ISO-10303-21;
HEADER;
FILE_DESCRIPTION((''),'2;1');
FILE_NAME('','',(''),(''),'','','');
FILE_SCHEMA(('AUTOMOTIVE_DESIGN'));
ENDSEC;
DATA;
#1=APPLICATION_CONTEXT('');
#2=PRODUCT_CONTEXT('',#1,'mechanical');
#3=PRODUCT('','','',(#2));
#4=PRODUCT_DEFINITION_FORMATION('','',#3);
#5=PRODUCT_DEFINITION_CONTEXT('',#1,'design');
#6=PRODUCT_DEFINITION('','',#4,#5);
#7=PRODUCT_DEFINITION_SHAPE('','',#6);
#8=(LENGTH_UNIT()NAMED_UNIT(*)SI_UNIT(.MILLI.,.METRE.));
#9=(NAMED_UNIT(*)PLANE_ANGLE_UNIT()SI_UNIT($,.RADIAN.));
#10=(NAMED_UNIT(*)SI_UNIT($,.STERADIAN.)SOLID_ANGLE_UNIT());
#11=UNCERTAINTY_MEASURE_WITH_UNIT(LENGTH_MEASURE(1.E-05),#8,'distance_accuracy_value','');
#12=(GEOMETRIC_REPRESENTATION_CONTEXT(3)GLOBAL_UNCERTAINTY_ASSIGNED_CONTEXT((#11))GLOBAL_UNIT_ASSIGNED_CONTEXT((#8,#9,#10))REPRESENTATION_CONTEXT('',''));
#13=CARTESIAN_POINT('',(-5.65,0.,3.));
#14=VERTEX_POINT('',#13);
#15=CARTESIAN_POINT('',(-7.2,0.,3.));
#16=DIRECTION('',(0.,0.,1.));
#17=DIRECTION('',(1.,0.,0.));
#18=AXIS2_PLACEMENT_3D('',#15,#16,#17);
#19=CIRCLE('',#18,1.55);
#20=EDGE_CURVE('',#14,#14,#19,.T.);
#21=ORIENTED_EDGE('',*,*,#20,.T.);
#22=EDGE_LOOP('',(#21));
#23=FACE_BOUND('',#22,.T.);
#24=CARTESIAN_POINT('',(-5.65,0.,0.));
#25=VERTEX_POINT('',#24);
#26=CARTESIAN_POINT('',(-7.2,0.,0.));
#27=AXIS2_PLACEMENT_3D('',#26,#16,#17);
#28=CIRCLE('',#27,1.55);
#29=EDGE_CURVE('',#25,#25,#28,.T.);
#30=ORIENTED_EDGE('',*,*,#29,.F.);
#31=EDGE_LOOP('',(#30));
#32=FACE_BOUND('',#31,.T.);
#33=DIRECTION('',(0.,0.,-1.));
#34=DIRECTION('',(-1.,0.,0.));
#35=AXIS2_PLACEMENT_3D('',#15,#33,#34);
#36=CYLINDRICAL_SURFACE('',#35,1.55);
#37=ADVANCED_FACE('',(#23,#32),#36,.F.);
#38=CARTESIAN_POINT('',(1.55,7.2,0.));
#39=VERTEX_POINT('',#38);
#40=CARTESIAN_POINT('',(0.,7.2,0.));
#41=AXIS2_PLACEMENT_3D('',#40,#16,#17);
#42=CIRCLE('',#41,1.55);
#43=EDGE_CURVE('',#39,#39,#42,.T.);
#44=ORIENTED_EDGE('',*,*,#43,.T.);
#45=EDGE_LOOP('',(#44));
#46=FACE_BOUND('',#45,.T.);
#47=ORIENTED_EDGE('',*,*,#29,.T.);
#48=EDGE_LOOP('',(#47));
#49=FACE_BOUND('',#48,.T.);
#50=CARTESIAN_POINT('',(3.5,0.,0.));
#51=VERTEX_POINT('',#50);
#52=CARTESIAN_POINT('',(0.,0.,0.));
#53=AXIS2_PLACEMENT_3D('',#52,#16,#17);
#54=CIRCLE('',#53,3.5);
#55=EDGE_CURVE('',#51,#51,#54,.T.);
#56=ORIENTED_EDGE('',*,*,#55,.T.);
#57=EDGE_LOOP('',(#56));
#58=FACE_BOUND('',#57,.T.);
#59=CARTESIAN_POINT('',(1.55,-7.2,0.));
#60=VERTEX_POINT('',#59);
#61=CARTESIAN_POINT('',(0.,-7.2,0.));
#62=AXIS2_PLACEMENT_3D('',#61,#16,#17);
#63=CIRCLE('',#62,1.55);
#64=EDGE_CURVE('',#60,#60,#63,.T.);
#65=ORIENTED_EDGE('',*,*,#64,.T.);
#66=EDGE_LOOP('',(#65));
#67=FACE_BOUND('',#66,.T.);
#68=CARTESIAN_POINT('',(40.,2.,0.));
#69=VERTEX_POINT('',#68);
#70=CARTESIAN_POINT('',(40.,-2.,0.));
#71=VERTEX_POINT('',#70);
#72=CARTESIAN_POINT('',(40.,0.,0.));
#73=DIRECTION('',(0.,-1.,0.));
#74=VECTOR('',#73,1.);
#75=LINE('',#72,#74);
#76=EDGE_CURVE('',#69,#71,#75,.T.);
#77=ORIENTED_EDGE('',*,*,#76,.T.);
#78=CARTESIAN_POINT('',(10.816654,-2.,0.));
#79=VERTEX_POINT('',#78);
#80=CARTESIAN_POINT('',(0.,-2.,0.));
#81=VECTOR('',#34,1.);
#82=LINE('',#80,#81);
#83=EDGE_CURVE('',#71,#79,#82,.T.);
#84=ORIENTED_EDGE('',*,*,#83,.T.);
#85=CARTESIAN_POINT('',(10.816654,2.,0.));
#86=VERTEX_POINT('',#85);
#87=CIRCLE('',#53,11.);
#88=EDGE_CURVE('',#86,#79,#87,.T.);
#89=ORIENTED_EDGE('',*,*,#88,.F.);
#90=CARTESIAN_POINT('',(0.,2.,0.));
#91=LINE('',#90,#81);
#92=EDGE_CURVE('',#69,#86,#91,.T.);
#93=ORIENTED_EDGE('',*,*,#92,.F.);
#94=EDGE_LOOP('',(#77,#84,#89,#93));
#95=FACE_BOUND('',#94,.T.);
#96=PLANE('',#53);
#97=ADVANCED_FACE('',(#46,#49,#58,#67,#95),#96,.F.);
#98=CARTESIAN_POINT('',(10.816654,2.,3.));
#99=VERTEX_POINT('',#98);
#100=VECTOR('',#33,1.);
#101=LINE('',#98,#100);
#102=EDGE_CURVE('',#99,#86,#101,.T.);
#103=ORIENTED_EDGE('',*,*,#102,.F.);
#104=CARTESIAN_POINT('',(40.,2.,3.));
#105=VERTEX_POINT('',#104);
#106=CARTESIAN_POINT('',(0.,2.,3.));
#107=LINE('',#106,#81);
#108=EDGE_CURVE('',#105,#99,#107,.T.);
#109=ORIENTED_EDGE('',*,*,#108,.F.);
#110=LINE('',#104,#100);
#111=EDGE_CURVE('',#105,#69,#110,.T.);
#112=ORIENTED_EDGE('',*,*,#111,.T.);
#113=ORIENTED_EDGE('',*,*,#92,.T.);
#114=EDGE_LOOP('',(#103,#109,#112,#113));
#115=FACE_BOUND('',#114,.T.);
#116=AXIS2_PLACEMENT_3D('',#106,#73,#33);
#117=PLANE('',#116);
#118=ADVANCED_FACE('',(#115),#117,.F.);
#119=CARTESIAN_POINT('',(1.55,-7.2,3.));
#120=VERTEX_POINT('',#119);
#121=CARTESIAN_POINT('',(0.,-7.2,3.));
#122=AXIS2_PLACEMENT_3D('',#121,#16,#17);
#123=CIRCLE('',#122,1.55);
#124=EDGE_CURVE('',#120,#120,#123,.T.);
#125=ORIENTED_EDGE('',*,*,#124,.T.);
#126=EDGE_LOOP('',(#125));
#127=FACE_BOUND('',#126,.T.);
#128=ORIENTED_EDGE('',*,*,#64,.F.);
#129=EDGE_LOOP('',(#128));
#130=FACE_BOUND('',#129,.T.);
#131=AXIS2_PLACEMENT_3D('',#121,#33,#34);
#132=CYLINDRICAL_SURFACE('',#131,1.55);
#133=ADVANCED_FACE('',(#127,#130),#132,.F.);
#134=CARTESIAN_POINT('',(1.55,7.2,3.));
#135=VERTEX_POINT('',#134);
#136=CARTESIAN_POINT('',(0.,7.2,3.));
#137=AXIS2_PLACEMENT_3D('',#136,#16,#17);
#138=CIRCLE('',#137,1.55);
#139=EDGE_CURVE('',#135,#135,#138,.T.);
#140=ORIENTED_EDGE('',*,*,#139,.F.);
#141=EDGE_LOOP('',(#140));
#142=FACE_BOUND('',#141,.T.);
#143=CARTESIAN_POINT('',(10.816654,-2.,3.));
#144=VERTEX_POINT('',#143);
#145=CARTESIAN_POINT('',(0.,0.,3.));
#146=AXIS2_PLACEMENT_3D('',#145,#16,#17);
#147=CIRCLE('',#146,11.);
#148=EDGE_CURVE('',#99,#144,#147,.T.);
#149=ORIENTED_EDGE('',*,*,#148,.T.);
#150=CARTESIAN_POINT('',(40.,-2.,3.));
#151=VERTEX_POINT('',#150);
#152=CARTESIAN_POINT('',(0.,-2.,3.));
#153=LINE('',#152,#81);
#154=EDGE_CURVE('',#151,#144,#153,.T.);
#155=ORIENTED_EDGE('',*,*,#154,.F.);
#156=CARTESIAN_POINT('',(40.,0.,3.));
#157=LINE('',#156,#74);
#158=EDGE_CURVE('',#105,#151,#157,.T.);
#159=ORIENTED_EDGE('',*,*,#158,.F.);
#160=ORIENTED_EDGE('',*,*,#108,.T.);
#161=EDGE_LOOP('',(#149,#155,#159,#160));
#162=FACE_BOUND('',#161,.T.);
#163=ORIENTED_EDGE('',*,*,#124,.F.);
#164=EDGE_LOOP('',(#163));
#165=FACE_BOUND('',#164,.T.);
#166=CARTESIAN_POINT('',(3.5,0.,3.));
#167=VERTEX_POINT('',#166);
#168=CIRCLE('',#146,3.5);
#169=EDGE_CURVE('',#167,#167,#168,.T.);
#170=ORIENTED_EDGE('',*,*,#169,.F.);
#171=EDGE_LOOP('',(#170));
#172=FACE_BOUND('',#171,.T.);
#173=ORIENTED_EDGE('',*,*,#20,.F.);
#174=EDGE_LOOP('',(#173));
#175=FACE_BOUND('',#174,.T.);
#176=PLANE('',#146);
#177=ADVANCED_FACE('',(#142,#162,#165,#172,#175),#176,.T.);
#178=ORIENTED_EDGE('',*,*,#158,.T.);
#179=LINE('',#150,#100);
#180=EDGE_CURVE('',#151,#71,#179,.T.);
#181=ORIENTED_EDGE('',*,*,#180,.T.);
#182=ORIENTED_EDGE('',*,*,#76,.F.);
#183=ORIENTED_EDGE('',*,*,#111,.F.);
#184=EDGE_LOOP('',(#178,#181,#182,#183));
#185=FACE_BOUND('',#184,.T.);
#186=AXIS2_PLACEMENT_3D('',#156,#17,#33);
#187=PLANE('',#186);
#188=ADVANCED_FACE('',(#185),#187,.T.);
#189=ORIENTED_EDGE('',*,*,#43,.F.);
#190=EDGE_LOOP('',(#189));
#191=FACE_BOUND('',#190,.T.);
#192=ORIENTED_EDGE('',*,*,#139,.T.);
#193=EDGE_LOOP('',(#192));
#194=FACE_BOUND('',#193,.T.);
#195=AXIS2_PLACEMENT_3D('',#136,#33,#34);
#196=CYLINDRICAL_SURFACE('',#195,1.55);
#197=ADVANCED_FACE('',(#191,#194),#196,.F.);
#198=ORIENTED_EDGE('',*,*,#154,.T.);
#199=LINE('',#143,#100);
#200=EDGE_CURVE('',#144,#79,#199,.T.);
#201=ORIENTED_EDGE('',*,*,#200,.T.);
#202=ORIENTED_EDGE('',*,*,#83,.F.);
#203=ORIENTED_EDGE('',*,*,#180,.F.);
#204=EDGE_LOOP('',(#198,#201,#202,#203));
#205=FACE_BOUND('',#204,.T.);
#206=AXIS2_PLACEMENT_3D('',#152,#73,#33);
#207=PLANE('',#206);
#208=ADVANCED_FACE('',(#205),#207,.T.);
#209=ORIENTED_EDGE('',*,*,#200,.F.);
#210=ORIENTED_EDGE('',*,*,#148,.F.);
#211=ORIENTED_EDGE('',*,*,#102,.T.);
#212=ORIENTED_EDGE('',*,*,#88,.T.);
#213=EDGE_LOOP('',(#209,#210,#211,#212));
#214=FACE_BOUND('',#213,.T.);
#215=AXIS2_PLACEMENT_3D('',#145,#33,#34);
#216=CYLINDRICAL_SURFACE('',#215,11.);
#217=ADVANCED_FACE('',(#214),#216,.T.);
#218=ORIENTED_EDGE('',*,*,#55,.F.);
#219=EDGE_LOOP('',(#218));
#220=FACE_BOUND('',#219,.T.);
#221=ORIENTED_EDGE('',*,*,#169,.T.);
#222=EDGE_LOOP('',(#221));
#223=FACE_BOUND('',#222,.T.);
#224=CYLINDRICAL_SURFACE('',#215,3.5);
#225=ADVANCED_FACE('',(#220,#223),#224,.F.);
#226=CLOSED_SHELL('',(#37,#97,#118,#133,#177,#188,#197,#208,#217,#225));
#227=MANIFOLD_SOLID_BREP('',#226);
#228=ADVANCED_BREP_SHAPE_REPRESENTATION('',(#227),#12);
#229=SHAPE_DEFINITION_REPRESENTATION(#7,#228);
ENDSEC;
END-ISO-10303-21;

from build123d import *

# Parameters (mm, degrees)
ESBO_O1_R                = 3.5
ESBO_O1_R_2              = 1.55
RESSALTO_EXTRUS_O1_DEPTH = 3


with BuildPart() as part:
    # Esboço1 → Ressalto-extrusão1 (new body)
    with BuildSketch(Plane.XY):
        with BuildLine():
            Line((40, -2), (40, 2))
            Line((40, 2), (10.816653826, 2))
            ThreePointArc((10.816653826, 2), (-11, 0), (10.816653826, -2))
            Line((10.816653826, -2), (40, -2))
        make_face()
        Circle(ESBO_O1_R, mode=Mode.SUBTRACT)
        with Locations((0, 7.199999994)):
            Circle(ESBO_O1_R_2, mode=Mode.SUBTRACT)
        with Locations((-7.199999991, 0)):
            Circle(ESBO_O1_R_2, mode=Mode.SUBTRACT)
        with Locations((0, -7.199999987)):
            Circle(ESBO_O1_R_2, mode=Mode.SUBTRACT)
    extrude(amount=RESSALTO_EXTRUS_O1_DEPTH)


solid = part.part
